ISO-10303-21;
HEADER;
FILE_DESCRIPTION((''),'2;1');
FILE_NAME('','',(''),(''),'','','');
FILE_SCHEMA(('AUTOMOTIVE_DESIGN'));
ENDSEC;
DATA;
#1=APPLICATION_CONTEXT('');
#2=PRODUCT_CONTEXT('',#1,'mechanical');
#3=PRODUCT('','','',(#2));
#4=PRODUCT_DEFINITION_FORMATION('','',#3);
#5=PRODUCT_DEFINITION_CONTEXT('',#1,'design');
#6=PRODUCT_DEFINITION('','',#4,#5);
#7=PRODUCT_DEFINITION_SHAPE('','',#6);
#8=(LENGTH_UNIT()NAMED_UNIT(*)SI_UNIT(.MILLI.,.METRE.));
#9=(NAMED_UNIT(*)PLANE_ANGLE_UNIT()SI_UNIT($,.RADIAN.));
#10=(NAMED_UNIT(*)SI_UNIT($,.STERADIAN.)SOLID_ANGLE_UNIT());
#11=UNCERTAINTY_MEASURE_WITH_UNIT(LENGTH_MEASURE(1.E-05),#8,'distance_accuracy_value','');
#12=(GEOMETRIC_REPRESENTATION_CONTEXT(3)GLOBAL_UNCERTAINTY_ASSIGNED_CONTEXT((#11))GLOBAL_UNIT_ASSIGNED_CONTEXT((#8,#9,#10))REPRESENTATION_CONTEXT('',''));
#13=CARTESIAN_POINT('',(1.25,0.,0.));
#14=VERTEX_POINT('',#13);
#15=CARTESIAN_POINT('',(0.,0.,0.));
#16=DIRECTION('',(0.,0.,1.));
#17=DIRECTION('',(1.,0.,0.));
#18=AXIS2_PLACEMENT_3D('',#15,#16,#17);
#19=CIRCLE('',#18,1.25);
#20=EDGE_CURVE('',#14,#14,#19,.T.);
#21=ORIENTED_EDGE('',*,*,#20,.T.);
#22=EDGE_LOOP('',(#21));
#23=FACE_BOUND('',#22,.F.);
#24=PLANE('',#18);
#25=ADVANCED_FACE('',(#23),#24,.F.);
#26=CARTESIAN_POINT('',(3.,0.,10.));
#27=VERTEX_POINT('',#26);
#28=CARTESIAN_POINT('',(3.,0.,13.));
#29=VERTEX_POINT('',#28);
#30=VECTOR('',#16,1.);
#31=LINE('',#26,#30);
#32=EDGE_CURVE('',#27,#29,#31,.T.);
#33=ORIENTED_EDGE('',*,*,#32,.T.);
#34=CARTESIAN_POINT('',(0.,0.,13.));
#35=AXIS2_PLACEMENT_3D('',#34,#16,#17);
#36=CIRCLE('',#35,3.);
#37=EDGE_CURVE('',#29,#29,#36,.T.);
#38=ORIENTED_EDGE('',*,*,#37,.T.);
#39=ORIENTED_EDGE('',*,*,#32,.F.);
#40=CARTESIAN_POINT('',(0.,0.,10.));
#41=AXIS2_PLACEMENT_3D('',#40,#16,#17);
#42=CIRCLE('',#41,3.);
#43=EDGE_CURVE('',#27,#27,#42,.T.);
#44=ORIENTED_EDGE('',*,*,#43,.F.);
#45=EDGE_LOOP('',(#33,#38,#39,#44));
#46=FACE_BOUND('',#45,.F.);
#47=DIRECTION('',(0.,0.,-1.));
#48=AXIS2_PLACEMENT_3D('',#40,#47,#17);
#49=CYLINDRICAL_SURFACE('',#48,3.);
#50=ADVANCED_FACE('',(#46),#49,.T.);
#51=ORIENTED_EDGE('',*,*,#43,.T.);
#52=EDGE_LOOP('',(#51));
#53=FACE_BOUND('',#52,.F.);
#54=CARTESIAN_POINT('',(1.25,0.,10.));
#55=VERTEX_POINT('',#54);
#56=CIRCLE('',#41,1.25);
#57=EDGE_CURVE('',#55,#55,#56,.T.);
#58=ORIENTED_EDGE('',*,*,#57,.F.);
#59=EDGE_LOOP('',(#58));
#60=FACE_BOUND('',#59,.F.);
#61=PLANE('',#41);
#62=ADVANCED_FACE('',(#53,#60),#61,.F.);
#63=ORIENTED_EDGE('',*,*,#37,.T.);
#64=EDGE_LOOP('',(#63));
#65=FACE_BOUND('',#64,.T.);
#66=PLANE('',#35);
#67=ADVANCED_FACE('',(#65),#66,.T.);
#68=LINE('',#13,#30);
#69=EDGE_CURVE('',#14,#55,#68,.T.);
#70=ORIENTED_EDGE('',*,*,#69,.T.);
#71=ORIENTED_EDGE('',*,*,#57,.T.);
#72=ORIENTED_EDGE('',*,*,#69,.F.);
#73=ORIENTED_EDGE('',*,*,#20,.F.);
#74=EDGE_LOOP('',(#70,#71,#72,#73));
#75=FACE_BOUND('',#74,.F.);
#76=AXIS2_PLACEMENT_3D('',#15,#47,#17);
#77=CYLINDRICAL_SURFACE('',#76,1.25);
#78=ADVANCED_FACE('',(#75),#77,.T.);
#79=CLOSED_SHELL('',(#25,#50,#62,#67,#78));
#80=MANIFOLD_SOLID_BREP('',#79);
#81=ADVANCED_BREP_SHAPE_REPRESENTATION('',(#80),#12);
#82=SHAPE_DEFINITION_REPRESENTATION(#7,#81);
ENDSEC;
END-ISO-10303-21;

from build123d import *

# Parameters (mm, degrees)
CYLINDER_R        = 1.25
CYLINDER_DEPTH    = 10
CYLINDER001_R     = 3
CYLINDER001_DEPTH = 3


with BuildPart() as cylinder:
    # Cylinder → Cylinder (new body)
    with BuildSketch(Plane.XY):
        Circle(CYLINDER_R)
    extrude(amount=CYLINDER_DEPTH)


with BuildPart() as m3_self_tapping:
    # Cylinder001 → Cylinder001 (new body)
    with BuildSketch(Plane.XY.offset(10)):
        Circle(CYLINDER001_R)
    extrude(amount=CYLINDER001_DEPTH)

    # Fusion020006007003002009: union Cylinder
    add(cylinder.part)


solid = m3_self_tapping.part
